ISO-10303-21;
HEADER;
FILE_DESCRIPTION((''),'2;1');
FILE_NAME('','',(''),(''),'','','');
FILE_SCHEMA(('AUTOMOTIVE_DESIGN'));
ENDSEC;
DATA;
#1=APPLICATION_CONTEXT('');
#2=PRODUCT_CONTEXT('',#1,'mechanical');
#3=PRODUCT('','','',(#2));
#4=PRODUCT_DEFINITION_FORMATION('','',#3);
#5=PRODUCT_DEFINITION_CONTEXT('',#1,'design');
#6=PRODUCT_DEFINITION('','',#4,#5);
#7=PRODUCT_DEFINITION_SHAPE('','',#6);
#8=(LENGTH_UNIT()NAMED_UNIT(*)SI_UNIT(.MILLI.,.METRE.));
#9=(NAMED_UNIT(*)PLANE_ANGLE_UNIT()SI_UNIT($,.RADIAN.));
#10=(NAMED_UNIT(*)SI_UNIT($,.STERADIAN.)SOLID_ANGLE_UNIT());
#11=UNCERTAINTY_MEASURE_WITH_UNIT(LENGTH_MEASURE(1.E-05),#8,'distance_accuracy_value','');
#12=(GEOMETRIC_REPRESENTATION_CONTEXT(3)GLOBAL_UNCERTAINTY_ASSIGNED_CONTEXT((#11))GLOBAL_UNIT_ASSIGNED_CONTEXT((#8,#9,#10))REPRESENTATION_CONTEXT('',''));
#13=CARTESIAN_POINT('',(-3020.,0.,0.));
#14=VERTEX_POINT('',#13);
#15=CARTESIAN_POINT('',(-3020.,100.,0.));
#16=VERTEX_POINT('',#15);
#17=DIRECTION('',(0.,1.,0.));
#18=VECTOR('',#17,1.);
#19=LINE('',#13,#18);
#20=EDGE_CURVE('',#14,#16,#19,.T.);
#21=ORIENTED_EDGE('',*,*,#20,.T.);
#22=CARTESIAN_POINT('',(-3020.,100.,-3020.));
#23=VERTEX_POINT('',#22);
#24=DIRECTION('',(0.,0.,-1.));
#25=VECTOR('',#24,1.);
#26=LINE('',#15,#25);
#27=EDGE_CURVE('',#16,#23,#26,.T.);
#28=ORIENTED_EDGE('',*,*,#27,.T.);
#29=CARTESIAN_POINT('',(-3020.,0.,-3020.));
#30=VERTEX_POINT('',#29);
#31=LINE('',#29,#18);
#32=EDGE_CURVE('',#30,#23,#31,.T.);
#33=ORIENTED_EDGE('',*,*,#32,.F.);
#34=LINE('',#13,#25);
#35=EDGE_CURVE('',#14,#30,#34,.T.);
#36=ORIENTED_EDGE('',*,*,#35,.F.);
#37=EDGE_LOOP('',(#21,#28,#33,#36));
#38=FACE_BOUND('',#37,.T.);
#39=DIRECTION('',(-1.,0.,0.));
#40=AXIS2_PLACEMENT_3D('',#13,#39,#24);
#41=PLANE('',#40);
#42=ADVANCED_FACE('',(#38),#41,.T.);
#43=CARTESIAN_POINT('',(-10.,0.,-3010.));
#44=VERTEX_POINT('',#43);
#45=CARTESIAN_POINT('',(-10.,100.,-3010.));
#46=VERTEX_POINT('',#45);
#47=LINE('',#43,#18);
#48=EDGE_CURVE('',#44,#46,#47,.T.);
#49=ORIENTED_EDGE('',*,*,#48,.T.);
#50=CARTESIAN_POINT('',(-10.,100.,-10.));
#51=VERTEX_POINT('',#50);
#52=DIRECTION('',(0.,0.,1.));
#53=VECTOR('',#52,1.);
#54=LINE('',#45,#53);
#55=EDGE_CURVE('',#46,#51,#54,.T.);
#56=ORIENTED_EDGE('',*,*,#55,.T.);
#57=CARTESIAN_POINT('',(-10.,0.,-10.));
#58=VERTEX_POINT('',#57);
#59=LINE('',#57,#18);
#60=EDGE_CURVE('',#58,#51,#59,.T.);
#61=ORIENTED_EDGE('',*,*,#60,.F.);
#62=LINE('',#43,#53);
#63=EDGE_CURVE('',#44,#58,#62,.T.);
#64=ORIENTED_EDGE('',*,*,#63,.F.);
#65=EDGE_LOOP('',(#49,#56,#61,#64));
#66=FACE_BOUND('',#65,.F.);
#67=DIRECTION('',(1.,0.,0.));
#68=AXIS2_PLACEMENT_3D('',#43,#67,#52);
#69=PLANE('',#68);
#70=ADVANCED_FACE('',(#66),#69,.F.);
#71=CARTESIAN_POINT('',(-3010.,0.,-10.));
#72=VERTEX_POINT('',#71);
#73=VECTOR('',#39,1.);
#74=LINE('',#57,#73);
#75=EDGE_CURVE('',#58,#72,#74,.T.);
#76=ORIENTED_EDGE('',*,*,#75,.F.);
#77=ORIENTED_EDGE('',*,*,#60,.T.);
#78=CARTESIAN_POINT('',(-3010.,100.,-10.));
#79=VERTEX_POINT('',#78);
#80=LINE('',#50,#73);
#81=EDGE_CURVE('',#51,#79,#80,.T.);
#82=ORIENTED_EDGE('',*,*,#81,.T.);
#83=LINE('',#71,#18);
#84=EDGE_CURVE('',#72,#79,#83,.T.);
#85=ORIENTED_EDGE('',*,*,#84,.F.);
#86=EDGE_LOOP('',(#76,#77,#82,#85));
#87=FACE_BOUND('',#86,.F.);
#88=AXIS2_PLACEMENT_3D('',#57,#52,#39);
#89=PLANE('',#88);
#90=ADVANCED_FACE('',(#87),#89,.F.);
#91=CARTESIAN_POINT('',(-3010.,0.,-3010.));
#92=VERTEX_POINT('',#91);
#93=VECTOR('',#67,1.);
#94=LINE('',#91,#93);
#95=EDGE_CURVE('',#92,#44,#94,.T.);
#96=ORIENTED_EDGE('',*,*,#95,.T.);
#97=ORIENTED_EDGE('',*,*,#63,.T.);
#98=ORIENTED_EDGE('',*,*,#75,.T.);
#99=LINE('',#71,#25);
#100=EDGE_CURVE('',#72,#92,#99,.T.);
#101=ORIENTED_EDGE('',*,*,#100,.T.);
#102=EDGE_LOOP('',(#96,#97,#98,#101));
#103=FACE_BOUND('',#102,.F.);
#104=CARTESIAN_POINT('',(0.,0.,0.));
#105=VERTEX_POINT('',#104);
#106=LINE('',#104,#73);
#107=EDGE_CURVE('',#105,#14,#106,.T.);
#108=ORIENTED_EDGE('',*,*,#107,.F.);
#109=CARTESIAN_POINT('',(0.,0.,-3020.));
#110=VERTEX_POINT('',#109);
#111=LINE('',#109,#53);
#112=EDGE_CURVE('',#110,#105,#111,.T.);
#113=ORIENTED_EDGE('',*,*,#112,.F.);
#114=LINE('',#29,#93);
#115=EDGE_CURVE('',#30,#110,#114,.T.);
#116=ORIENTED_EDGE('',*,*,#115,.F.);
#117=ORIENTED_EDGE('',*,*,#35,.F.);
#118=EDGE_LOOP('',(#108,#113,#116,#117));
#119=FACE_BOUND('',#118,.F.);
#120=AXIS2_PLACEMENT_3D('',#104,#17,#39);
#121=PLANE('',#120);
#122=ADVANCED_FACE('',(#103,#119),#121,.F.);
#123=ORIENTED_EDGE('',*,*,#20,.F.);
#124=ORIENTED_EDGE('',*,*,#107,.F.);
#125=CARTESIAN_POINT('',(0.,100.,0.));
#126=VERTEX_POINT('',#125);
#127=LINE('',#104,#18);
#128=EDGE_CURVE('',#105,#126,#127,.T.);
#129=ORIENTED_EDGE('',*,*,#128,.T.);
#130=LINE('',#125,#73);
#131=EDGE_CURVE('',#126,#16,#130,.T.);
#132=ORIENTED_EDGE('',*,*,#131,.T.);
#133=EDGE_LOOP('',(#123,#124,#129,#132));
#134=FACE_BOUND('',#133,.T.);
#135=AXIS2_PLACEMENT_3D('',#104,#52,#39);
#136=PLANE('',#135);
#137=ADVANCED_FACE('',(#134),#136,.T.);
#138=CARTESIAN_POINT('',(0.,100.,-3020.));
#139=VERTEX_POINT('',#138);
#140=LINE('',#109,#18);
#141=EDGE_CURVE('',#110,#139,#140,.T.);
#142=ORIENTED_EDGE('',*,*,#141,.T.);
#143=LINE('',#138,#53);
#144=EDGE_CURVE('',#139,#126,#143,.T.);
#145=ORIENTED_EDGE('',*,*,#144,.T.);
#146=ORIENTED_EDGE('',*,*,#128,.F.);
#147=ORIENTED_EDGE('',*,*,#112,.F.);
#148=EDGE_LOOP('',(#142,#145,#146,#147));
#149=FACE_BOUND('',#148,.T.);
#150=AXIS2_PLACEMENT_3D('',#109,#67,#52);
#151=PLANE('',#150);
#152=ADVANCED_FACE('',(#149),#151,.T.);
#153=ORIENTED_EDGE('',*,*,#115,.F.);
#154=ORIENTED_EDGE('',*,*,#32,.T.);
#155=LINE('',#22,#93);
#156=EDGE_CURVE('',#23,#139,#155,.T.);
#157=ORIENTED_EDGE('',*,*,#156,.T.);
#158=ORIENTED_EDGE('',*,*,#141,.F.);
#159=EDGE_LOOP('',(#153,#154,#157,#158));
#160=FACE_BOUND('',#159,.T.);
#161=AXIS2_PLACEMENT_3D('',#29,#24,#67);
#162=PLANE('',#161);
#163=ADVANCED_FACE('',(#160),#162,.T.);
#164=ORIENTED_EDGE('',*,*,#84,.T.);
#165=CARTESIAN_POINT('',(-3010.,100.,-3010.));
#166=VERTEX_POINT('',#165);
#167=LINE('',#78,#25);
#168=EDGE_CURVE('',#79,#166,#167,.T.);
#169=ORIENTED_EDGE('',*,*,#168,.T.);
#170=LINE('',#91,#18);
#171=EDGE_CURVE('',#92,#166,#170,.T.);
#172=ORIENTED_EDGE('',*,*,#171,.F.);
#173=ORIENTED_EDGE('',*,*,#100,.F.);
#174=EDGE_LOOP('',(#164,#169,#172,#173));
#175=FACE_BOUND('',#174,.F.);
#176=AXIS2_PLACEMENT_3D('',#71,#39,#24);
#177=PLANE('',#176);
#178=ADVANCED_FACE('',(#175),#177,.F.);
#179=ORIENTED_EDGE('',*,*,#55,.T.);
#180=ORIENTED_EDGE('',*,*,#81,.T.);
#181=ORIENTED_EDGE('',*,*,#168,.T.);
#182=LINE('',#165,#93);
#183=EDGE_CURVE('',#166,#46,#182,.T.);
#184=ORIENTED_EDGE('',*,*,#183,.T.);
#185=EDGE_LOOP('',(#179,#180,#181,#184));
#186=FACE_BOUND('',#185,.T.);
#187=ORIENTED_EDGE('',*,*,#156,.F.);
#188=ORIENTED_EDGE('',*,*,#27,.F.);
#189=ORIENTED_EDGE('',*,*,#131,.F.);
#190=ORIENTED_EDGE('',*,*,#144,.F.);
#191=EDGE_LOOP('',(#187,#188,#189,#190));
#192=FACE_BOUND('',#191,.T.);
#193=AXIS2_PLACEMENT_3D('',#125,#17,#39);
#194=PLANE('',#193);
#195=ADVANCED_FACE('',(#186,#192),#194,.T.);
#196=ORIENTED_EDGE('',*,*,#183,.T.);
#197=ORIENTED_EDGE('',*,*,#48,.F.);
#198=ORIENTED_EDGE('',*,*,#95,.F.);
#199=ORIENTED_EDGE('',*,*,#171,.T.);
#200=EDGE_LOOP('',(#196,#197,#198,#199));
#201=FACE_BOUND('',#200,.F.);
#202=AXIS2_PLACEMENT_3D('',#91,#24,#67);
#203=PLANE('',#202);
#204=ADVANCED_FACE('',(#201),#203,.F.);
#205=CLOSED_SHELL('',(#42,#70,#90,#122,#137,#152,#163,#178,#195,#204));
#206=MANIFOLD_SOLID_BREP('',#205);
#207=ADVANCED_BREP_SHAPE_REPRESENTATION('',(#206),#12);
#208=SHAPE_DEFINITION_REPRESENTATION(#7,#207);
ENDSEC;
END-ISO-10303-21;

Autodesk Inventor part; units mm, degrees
ref_plane "YZ Plane" through (0, 0, 0) normal (1, 0, 0) x (0, 1, 0)
ref_plane "XZ Plane" through (0, 0, 0) normal (0, 1, 0) x (-1, 0, 0)
ref_plane "XY Plane" through (0, 0, 0) normal (0, 0, 1) x (1, 0, 0)
sketch "Sketch1" plane through (0, 0, 0) normal (0, 1, 0) x (-1, 0, 0)
  line L0 (0, 0) -> (3020, 0)
  line L1 (3020, 0) -> (3020, -3020)
  line L2 (3020, -3020) -> (0, -3020)
  line L3 (0, -3020) -> (0, 0)
  line L4 (10, -10) -> (3010, -10)
  line L5 (3010, -10) -> (3010, -3010)
  line L6 (3010, -3010) -> (10, -3010)
  line L7 (10, -3010) -> (10, -10)
  line L8 (3020, -1510) -> (0, -1510) construction
  line L9 (3010, -1510) -> (10, -1510) construction
  point P0 (1510, -1510)
  dimension "d0" = 3020
  dimension "d1" = 3020
  dimension "d2" = 3000
  dimension "d3" = 3000
extrude "Extrusion1" add sketch "Sketch1" along normal blind 100
properties part number "Game_Mat_Outer_Wall"
